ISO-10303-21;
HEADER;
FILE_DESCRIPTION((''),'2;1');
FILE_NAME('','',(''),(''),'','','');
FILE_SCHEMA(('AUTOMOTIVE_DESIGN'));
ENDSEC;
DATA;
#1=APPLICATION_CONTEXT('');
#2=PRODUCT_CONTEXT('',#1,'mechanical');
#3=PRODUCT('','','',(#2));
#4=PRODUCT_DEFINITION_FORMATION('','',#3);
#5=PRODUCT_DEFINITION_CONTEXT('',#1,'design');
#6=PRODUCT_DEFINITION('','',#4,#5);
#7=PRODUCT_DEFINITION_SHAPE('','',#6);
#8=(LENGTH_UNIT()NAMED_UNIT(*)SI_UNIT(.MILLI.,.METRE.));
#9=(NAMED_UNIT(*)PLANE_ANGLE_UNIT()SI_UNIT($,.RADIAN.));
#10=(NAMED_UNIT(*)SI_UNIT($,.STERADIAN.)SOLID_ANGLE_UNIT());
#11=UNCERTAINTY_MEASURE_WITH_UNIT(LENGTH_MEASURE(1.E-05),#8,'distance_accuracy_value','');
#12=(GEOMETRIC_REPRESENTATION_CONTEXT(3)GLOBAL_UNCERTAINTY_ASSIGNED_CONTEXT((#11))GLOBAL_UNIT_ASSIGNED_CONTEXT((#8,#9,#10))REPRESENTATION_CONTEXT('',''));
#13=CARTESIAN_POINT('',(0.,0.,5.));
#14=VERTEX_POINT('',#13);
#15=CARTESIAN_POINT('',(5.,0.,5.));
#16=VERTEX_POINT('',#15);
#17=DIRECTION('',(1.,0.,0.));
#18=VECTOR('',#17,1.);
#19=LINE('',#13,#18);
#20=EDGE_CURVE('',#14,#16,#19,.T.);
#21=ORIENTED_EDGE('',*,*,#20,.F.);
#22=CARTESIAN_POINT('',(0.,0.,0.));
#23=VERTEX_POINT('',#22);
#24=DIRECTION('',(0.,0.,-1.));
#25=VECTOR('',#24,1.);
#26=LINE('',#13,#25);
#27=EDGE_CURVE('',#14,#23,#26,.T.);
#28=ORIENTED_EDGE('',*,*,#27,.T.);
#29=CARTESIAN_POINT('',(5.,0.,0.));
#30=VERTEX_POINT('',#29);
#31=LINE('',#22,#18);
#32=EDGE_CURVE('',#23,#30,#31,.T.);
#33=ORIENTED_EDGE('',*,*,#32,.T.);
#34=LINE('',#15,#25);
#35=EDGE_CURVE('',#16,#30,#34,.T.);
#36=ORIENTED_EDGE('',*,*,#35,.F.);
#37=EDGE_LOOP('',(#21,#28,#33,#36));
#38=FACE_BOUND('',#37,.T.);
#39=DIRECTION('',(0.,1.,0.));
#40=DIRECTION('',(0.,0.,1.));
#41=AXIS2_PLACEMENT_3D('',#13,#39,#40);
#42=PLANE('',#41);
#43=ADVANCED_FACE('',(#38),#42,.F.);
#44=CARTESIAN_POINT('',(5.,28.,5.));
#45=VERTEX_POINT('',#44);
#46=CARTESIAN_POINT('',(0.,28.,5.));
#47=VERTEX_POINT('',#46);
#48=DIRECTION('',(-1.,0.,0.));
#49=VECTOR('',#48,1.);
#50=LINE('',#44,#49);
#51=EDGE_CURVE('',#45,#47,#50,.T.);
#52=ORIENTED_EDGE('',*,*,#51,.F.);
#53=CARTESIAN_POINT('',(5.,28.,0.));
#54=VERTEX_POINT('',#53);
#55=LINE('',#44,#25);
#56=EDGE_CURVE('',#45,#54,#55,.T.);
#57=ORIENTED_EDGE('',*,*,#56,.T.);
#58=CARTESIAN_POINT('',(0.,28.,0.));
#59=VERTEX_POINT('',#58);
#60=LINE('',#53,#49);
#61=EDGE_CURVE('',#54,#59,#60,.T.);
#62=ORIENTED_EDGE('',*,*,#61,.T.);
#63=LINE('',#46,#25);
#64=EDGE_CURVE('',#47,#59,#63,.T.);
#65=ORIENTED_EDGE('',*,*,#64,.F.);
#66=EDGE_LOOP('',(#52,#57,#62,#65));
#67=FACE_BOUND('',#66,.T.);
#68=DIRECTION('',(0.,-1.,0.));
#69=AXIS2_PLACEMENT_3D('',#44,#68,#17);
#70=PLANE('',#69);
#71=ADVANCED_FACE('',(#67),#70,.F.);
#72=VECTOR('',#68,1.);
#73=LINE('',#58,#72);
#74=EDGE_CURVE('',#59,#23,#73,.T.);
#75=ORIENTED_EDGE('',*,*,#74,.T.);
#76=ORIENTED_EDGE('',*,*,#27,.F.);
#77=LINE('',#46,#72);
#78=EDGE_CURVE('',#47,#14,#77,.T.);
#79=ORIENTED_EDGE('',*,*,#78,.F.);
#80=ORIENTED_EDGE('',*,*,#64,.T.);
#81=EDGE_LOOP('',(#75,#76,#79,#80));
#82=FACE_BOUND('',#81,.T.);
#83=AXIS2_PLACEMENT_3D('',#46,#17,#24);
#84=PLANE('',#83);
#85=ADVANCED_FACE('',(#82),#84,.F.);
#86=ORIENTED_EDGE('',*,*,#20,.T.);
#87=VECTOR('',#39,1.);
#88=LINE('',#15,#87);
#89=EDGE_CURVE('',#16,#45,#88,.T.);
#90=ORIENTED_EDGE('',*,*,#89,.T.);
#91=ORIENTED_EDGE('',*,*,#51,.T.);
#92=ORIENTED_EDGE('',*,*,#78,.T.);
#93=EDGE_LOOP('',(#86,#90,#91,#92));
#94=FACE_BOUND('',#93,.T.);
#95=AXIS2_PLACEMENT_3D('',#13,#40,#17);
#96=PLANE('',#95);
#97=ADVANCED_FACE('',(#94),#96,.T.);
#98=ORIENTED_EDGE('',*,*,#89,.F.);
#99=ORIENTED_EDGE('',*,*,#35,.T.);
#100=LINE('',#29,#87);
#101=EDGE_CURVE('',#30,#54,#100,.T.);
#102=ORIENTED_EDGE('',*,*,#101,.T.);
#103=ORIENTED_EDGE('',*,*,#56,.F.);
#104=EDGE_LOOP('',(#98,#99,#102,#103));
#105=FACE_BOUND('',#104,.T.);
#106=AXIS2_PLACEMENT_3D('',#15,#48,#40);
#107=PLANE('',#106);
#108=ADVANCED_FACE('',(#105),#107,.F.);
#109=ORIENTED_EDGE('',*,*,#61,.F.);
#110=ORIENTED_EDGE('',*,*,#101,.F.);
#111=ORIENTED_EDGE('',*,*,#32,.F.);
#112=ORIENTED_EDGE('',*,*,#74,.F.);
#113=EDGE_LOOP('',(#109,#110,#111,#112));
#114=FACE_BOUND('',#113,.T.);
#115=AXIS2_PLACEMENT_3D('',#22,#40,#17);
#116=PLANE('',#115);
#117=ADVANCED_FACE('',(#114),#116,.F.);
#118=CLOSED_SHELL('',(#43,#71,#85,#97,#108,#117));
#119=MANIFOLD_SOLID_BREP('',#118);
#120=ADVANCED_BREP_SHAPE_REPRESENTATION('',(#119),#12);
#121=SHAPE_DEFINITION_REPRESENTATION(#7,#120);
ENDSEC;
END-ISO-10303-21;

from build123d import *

# Parameters (mm, degrees)
SKETCH_1_W             = 5
SKETCH_1_H             = 28
GUIDE_SIDE_BRACE_DEPTH = 5


with BuildPart() as part:
    # 草图1 → Guide_side_brace (new body)
    with BuildSketch(Plane.XY):
        with Locations((2.5, 14)):
            Rectangle(SKETCH_1_W, SKETCH_1_H)
    extrude(amount=GUIDE_SIDE_BRACE_DEPTH)


solid = part.part
